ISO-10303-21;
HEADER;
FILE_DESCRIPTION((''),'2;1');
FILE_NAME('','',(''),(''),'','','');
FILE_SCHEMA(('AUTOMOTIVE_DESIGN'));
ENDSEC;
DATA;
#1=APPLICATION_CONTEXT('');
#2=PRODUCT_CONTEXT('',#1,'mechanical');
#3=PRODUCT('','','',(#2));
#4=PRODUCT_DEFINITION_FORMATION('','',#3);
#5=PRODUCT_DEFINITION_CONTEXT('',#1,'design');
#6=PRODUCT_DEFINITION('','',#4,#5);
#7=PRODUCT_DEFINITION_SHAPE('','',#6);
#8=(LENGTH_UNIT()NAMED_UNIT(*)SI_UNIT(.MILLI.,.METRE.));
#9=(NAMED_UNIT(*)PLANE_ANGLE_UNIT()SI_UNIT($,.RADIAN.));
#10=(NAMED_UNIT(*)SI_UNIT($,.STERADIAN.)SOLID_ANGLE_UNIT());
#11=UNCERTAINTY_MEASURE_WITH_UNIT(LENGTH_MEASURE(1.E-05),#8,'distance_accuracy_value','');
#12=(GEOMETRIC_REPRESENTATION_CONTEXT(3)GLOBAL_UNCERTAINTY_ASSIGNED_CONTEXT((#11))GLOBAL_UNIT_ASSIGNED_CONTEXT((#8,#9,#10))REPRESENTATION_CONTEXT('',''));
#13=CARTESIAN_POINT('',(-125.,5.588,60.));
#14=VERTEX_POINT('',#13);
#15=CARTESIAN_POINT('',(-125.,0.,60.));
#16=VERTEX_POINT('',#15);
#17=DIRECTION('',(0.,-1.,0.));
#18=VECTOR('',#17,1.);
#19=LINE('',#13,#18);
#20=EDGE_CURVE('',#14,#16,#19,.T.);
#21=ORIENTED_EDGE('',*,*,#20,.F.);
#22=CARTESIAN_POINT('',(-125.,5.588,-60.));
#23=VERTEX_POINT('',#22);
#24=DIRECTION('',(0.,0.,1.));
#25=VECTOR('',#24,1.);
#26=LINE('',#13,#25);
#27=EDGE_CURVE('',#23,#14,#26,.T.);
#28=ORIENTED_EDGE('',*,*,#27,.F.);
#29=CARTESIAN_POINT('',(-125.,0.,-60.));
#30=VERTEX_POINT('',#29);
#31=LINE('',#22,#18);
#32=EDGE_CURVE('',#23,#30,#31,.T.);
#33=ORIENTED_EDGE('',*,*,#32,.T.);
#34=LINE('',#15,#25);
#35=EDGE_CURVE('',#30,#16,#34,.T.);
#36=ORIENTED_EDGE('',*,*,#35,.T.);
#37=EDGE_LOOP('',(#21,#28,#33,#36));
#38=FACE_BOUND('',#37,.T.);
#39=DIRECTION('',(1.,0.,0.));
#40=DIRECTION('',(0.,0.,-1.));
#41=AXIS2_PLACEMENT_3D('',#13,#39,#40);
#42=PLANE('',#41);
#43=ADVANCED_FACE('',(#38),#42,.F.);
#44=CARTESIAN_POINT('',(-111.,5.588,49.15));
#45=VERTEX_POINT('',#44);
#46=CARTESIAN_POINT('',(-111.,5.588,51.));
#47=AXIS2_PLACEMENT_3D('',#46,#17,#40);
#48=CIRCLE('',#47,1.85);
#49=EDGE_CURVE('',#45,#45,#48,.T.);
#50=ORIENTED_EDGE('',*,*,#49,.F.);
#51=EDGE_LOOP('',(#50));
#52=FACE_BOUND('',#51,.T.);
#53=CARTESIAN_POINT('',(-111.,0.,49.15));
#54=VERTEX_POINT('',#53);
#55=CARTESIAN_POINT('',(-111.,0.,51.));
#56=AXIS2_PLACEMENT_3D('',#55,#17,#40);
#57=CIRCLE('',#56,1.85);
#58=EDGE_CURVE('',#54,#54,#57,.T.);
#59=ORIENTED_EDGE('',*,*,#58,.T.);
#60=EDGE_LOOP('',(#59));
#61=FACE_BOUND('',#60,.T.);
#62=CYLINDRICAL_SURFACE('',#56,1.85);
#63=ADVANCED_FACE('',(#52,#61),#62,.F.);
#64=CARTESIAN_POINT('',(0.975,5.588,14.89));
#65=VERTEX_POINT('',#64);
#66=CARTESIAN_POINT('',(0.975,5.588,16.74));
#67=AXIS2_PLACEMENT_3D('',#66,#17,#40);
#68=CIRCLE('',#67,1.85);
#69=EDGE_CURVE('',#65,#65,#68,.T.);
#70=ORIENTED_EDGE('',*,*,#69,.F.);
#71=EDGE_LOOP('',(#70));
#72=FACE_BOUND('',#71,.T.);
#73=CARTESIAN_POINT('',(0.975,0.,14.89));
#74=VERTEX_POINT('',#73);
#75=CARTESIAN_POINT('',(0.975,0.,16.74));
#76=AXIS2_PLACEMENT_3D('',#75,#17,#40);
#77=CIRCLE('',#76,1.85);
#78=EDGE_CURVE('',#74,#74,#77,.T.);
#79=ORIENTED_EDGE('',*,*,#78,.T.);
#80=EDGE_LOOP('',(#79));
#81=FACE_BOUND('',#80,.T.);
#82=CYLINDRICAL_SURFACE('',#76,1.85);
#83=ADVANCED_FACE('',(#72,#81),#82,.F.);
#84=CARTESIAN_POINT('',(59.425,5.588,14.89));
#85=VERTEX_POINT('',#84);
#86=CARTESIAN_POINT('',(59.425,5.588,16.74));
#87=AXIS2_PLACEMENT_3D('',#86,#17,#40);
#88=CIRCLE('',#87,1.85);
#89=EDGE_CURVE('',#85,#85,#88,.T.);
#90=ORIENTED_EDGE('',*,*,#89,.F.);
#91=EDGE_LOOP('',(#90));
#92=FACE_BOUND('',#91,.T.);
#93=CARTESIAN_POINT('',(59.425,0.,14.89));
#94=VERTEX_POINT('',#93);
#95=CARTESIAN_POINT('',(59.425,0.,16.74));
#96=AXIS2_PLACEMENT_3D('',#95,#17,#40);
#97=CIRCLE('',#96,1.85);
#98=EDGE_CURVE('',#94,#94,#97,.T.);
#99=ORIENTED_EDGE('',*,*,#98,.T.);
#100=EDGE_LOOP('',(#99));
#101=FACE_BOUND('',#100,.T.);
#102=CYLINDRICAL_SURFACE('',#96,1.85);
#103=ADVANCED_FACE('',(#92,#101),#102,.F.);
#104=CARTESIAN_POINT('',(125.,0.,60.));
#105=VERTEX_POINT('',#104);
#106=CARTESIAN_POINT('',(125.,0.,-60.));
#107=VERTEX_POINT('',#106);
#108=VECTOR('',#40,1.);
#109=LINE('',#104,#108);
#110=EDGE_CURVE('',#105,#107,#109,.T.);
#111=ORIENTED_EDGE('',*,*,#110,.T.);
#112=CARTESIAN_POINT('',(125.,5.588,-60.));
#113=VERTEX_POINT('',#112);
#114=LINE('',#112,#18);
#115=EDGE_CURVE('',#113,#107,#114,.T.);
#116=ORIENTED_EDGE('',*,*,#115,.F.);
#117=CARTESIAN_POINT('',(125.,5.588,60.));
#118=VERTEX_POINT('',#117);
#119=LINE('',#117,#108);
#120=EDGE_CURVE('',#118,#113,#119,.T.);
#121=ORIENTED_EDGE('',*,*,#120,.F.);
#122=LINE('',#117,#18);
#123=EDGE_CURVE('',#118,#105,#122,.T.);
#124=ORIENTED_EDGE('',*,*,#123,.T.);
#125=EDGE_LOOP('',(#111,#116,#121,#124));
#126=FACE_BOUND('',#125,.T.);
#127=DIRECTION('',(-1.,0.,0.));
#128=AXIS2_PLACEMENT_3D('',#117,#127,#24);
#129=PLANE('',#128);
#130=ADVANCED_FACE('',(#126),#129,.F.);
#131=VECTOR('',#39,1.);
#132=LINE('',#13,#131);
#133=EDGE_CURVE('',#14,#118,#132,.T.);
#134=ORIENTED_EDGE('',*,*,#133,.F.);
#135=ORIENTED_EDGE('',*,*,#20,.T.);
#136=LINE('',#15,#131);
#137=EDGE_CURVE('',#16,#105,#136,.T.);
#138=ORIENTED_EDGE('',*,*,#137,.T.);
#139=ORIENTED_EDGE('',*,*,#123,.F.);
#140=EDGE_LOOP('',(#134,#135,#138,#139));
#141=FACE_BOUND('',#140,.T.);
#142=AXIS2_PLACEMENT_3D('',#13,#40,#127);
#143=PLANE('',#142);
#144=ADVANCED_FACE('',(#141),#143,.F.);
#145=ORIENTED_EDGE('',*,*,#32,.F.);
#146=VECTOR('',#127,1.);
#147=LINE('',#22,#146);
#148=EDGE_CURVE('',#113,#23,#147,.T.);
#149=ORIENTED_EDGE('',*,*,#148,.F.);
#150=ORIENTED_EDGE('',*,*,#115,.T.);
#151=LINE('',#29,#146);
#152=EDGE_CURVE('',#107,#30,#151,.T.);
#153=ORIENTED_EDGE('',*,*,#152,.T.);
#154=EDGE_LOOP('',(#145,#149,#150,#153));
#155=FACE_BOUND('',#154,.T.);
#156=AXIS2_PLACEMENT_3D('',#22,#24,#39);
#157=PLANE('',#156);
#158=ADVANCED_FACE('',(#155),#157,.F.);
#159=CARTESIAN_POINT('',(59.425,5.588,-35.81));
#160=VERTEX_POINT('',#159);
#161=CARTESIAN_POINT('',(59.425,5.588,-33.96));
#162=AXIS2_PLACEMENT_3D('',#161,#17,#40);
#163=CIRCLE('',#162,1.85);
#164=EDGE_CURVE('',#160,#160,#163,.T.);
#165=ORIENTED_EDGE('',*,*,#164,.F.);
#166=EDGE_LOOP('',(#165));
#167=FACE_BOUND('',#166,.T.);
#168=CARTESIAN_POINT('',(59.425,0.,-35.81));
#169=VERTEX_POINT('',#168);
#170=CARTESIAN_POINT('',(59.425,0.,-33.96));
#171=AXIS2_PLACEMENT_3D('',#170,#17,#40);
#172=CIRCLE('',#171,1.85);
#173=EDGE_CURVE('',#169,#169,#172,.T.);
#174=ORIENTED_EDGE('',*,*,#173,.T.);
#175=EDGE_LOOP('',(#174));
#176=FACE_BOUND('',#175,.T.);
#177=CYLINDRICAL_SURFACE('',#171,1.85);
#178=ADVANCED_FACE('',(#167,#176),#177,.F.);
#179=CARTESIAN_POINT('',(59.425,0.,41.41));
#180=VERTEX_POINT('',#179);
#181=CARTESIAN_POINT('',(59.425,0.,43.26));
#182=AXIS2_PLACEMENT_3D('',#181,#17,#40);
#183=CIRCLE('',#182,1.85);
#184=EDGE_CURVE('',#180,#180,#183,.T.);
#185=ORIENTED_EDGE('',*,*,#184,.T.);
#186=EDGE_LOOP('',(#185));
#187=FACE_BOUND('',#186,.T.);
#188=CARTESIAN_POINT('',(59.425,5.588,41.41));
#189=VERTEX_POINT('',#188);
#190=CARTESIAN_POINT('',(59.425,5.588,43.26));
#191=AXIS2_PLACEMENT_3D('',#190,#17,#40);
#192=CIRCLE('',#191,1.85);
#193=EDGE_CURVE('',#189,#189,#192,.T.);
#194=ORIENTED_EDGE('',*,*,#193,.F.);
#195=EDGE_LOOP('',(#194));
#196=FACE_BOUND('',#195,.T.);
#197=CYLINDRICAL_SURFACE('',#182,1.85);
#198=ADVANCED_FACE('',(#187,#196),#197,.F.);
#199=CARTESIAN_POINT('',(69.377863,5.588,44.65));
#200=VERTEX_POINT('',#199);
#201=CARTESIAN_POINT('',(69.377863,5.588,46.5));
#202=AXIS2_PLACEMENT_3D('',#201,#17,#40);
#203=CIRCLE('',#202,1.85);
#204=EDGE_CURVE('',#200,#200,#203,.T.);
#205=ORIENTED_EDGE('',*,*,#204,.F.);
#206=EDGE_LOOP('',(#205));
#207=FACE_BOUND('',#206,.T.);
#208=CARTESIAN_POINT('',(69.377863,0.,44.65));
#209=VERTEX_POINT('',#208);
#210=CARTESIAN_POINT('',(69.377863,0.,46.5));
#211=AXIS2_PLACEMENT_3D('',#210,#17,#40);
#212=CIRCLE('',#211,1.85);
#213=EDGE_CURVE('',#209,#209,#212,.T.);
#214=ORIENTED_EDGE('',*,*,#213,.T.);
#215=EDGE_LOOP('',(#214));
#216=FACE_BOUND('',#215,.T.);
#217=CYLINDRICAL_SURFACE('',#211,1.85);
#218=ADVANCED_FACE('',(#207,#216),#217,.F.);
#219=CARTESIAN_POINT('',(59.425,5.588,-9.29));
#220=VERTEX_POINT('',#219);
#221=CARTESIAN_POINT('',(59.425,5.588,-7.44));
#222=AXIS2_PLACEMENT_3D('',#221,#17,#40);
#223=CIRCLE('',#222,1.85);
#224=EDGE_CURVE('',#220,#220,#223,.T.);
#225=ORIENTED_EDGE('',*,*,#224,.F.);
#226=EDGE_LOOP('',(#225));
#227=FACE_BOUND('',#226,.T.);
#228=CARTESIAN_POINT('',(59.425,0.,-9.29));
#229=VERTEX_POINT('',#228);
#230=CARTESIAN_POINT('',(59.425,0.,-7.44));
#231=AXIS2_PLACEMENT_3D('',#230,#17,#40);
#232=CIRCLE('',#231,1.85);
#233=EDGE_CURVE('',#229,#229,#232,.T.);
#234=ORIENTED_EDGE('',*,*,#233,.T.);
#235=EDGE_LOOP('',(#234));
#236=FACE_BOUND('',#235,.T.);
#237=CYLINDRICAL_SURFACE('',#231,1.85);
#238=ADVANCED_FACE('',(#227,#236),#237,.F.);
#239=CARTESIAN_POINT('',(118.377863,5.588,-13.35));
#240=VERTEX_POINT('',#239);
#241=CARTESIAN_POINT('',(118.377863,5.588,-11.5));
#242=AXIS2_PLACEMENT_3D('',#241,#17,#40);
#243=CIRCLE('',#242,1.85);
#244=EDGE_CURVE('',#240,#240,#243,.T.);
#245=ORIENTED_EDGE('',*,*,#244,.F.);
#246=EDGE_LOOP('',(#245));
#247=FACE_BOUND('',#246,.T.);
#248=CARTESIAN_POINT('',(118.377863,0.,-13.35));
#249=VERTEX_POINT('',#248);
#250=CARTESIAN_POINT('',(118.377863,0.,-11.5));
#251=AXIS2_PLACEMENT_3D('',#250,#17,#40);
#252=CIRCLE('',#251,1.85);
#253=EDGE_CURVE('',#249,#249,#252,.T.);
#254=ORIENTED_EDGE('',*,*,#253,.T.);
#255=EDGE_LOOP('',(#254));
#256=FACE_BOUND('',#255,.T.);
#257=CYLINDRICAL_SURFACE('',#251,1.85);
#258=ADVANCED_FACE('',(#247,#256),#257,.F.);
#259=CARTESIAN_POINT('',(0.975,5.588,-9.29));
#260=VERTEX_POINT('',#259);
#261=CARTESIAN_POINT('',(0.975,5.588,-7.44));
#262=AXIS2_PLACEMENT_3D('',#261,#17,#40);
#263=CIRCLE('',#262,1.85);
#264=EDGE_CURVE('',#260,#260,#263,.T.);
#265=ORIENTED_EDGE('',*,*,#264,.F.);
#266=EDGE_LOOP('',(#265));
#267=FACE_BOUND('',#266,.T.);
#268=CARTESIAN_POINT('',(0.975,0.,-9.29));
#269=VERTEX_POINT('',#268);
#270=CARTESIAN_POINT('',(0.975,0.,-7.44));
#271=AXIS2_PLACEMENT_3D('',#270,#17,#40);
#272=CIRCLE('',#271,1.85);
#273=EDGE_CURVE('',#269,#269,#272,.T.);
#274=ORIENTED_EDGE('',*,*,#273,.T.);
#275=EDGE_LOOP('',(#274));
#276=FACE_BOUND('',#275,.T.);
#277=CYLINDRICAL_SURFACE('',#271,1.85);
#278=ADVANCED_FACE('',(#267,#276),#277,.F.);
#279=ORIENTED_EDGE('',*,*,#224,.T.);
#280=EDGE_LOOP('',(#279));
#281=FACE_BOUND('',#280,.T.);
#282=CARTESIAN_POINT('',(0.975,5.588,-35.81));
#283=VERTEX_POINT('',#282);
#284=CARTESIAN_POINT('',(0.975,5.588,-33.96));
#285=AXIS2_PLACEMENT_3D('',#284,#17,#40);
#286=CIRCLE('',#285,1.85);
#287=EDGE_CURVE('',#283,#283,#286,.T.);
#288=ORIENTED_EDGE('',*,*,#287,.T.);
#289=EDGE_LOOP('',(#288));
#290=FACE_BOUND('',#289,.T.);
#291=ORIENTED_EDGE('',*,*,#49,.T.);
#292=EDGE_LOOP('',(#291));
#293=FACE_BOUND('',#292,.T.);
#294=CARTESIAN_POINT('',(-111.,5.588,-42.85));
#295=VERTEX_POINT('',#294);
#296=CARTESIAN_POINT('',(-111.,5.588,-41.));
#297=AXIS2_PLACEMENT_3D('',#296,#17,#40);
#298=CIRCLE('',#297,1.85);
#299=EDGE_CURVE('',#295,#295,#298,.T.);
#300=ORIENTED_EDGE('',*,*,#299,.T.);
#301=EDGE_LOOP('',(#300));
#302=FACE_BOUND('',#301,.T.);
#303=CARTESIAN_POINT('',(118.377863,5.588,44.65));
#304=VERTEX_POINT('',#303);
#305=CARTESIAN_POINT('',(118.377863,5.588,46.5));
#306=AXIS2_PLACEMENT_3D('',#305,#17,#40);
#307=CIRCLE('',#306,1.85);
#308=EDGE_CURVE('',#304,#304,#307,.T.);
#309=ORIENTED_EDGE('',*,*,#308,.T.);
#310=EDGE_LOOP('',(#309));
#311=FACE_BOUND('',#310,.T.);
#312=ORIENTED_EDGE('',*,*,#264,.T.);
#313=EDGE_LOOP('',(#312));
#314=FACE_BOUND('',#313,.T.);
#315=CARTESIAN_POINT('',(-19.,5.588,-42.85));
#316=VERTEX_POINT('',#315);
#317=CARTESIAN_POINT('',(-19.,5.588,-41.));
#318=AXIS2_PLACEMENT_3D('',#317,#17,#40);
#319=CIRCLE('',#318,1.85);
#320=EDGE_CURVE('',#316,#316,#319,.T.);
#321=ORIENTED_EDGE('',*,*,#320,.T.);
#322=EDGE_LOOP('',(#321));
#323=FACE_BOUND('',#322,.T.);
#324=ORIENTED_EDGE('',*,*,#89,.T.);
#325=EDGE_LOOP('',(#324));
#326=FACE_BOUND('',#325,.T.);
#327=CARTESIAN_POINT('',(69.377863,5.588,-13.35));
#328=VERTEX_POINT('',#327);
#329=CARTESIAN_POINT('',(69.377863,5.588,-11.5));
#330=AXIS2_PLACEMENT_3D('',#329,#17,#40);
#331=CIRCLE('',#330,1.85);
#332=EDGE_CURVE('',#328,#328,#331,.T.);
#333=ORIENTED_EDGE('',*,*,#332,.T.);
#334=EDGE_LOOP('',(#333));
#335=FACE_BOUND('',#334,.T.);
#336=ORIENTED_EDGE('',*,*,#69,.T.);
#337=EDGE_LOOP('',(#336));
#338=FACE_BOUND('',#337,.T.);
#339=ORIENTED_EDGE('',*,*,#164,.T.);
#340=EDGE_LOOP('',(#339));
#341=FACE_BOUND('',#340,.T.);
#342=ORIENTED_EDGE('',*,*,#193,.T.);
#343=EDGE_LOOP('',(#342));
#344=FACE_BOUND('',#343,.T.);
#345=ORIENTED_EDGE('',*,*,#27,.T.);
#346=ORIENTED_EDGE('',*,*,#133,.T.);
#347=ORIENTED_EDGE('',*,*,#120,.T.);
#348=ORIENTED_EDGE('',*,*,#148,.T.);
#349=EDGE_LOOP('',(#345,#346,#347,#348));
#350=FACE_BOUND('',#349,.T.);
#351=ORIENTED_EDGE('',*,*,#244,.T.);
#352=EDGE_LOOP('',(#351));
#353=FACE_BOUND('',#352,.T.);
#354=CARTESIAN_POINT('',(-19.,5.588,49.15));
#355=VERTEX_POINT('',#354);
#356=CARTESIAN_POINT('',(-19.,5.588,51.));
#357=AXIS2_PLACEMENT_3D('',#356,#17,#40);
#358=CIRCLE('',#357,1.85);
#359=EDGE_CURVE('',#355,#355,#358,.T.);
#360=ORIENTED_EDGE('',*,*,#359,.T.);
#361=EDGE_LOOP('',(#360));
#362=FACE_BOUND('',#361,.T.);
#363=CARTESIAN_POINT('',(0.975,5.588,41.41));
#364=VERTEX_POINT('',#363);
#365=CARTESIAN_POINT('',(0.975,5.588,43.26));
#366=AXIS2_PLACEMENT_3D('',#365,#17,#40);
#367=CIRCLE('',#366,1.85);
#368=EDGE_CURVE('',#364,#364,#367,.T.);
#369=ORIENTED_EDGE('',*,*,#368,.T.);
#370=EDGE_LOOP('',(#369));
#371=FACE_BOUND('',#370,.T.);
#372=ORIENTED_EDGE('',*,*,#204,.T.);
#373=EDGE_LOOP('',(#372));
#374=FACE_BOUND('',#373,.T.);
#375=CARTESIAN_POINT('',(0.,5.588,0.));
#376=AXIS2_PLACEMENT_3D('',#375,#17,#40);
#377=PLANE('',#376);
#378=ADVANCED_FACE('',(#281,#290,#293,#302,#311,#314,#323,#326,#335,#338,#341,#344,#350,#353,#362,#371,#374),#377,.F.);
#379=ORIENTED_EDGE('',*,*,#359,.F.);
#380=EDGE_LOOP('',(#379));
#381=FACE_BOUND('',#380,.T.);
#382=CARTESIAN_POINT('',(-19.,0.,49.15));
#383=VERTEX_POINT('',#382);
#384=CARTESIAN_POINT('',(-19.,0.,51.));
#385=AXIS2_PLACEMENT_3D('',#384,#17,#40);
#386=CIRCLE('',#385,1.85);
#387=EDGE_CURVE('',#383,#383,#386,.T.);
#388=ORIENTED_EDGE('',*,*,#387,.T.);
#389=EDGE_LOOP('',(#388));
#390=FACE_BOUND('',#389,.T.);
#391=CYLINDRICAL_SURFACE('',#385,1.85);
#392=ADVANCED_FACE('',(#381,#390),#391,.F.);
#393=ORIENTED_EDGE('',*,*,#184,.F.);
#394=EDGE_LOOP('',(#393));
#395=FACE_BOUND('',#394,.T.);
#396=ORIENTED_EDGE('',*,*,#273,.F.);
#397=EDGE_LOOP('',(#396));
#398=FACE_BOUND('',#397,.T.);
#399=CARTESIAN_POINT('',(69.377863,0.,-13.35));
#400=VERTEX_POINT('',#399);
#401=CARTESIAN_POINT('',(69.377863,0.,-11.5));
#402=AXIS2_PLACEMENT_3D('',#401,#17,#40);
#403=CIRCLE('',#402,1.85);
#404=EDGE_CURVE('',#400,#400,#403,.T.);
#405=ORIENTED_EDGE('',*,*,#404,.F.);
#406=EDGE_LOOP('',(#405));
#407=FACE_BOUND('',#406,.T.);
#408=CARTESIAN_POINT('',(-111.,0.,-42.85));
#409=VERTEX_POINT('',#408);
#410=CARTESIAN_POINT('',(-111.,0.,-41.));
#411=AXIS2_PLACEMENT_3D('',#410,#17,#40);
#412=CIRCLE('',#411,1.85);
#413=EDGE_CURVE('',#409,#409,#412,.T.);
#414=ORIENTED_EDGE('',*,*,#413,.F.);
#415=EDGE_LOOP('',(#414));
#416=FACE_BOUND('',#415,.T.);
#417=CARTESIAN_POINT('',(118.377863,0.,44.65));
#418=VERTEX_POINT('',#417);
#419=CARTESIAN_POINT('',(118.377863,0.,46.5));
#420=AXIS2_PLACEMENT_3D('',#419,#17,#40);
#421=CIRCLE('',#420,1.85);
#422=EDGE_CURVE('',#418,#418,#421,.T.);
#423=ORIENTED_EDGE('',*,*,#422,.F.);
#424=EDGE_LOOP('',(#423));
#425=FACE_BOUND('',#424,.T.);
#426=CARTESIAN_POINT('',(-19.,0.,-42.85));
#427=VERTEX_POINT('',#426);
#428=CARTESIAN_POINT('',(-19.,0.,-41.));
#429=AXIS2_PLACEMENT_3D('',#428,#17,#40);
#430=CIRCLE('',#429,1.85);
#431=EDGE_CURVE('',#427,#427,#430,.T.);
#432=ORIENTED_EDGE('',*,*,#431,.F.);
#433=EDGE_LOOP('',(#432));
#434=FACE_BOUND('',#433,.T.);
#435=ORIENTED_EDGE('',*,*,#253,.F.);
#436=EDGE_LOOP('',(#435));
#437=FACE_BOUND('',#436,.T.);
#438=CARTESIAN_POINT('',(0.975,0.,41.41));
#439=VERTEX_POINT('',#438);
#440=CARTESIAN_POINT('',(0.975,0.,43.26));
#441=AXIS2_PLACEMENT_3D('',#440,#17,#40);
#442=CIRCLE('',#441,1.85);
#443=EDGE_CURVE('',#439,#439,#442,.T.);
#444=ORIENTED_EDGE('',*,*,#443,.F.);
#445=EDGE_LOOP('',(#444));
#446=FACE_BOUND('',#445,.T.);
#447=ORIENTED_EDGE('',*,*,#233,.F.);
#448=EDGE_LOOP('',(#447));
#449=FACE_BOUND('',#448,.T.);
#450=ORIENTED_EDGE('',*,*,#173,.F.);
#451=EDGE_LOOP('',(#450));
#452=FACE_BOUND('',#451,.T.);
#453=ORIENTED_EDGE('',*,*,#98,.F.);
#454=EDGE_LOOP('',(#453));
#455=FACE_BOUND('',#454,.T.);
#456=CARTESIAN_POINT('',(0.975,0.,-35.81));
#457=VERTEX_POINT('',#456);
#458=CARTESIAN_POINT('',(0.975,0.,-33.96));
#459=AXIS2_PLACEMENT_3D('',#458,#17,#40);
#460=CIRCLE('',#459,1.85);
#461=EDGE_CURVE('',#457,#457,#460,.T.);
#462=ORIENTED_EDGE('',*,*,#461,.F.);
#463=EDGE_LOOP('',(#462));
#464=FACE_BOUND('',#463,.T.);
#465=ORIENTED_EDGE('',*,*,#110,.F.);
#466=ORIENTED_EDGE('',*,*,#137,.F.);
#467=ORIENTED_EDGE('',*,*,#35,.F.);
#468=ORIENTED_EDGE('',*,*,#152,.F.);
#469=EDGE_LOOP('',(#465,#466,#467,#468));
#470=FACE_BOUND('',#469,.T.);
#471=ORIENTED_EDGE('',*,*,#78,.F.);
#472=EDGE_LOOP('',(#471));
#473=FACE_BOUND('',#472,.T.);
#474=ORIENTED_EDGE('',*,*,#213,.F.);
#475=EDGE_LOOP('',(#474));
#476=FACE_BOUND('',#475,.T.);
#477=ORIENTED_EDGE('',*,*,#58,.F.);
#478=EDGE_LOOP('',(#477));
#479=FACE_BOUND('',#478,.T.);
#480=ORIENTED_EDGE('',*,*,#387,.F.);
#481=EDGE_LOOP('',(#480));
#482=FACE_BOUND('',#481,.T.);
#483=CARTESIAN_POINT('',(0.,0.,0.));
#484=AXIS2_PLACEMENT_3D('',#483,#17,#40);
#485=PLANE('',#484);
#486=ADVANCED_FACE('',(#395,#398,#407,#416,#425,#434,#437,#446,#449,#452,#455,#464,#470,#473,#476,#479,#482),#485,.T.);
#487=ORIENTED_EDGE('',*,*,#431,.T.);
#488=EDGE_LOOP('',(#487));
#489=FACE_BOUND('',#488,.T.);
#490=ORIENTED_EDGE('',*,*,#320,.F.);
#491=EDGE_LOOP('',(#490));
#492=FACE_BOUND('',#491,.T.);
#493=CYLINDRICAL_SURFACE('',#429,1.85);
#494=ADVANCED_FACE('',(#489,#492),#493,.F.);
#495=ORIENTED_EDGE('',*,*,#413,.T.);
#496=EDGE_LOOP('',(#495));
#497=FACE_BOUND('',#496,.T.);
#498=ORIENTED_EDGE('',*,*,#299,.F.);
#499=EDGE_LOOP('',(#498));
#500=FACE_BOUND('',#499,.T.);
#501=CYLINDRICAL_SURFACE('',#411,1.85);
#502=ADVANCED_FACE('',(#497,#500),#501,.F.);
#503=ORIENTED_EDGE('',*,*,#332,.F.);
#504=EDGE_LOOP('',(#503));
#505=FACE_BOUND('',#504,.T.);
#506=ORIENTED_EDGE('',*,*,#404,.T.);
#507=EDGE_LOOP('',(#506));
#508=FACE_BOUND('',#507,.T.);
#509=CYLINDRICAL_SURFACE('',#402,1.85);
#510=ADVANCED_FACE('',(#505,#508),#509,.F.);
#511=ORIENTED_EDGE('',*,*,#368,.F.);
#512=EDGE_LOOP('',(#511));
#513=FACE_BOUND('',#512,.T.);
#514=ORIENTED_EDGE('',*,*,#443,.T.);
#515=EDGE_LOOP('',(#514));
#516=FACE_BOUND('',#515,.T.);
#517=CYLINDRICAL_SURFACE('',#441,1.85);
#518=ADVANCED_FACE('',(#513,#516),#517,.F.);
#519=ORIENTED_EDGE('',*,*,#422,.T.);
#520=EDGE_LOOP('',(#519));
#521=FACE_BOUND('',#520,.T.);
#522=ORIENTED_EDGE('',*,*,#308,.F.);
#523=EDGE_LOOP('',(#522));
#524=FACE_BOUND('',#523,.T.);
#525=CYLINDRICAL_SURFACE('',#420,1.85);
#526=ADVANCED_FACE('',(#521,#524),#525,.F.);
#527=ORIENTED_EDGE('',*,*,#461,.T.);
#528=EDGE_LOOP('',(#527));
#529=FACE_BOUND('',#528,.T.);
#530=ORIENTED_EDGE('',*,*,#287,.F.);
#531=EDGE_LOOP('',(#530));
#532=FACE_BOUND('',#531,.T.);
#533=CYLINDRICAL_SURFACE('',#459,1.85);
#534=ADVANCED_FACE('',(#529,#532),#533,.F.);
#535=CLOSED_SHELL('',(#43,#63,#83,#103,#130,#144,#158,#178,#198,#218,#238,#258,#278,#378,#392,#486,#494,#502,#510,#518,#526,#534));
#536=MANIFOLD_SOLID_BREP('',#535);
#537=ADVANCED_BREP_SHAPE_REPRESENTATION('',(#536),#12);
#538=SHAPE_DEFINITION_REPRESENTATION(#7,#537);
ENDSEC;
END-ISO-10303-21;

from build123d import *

# Parameters (mm, degrees)
SKETCH1_W                       = 250
SKETCH1_H                       = 120
BOSS_EXTRUDE1_DEPTH             = 5.588
F_3_0MM_CLEARANCE_DOWEL_HOLE2_D = 3.7


with BuildPart() as part:
    # Sketch1 → Boss-Extrude1 (new body)
    with BuildSketch(Plane(origin=(0, 0, 0), x_dir=(1, 0, 0), z_dir=(0, 1, 0))):
        Rectangle(SKETCH1_W, SKETCH1_H)
    extrude(amount=BOSS_EXTRUDE1_DEPTH)

    # Ø3.0mm Clearance Dowel Hole2 (through all)
    with Locations(Plane(origin=(-44.960960081, 0, -163.688232646), x_dir=(-1, 0, 0), z_dir=(0, -1, 0))):
        with Locations((-45.935960081, -156.248232646), (-25.960960081, -122.688232646), (-45.935960081, -129.728232646), (-45.935960081, -180.428232646), (-45.935960081, -206.948232646), (-25.960960081, -214.688232646), (66.039039919, -214.688232646), (-104.385960081, -206.948232646), (-104.385960081, -180.428232646), (-104.385960081, -156.248232646), (-104.385960081, -129.728232646), (-163.338823355, -210.188232646), (-163.338823355, -152.188232646), (-114.338823355, -152.188232646), (-114.338823355, -210.188232646), (66.039039919, -122.688232646)):
            Hole(F_3_0MM_CLEARANCE_DOWEL_HOLE2_D / 2)


solid = part.part
